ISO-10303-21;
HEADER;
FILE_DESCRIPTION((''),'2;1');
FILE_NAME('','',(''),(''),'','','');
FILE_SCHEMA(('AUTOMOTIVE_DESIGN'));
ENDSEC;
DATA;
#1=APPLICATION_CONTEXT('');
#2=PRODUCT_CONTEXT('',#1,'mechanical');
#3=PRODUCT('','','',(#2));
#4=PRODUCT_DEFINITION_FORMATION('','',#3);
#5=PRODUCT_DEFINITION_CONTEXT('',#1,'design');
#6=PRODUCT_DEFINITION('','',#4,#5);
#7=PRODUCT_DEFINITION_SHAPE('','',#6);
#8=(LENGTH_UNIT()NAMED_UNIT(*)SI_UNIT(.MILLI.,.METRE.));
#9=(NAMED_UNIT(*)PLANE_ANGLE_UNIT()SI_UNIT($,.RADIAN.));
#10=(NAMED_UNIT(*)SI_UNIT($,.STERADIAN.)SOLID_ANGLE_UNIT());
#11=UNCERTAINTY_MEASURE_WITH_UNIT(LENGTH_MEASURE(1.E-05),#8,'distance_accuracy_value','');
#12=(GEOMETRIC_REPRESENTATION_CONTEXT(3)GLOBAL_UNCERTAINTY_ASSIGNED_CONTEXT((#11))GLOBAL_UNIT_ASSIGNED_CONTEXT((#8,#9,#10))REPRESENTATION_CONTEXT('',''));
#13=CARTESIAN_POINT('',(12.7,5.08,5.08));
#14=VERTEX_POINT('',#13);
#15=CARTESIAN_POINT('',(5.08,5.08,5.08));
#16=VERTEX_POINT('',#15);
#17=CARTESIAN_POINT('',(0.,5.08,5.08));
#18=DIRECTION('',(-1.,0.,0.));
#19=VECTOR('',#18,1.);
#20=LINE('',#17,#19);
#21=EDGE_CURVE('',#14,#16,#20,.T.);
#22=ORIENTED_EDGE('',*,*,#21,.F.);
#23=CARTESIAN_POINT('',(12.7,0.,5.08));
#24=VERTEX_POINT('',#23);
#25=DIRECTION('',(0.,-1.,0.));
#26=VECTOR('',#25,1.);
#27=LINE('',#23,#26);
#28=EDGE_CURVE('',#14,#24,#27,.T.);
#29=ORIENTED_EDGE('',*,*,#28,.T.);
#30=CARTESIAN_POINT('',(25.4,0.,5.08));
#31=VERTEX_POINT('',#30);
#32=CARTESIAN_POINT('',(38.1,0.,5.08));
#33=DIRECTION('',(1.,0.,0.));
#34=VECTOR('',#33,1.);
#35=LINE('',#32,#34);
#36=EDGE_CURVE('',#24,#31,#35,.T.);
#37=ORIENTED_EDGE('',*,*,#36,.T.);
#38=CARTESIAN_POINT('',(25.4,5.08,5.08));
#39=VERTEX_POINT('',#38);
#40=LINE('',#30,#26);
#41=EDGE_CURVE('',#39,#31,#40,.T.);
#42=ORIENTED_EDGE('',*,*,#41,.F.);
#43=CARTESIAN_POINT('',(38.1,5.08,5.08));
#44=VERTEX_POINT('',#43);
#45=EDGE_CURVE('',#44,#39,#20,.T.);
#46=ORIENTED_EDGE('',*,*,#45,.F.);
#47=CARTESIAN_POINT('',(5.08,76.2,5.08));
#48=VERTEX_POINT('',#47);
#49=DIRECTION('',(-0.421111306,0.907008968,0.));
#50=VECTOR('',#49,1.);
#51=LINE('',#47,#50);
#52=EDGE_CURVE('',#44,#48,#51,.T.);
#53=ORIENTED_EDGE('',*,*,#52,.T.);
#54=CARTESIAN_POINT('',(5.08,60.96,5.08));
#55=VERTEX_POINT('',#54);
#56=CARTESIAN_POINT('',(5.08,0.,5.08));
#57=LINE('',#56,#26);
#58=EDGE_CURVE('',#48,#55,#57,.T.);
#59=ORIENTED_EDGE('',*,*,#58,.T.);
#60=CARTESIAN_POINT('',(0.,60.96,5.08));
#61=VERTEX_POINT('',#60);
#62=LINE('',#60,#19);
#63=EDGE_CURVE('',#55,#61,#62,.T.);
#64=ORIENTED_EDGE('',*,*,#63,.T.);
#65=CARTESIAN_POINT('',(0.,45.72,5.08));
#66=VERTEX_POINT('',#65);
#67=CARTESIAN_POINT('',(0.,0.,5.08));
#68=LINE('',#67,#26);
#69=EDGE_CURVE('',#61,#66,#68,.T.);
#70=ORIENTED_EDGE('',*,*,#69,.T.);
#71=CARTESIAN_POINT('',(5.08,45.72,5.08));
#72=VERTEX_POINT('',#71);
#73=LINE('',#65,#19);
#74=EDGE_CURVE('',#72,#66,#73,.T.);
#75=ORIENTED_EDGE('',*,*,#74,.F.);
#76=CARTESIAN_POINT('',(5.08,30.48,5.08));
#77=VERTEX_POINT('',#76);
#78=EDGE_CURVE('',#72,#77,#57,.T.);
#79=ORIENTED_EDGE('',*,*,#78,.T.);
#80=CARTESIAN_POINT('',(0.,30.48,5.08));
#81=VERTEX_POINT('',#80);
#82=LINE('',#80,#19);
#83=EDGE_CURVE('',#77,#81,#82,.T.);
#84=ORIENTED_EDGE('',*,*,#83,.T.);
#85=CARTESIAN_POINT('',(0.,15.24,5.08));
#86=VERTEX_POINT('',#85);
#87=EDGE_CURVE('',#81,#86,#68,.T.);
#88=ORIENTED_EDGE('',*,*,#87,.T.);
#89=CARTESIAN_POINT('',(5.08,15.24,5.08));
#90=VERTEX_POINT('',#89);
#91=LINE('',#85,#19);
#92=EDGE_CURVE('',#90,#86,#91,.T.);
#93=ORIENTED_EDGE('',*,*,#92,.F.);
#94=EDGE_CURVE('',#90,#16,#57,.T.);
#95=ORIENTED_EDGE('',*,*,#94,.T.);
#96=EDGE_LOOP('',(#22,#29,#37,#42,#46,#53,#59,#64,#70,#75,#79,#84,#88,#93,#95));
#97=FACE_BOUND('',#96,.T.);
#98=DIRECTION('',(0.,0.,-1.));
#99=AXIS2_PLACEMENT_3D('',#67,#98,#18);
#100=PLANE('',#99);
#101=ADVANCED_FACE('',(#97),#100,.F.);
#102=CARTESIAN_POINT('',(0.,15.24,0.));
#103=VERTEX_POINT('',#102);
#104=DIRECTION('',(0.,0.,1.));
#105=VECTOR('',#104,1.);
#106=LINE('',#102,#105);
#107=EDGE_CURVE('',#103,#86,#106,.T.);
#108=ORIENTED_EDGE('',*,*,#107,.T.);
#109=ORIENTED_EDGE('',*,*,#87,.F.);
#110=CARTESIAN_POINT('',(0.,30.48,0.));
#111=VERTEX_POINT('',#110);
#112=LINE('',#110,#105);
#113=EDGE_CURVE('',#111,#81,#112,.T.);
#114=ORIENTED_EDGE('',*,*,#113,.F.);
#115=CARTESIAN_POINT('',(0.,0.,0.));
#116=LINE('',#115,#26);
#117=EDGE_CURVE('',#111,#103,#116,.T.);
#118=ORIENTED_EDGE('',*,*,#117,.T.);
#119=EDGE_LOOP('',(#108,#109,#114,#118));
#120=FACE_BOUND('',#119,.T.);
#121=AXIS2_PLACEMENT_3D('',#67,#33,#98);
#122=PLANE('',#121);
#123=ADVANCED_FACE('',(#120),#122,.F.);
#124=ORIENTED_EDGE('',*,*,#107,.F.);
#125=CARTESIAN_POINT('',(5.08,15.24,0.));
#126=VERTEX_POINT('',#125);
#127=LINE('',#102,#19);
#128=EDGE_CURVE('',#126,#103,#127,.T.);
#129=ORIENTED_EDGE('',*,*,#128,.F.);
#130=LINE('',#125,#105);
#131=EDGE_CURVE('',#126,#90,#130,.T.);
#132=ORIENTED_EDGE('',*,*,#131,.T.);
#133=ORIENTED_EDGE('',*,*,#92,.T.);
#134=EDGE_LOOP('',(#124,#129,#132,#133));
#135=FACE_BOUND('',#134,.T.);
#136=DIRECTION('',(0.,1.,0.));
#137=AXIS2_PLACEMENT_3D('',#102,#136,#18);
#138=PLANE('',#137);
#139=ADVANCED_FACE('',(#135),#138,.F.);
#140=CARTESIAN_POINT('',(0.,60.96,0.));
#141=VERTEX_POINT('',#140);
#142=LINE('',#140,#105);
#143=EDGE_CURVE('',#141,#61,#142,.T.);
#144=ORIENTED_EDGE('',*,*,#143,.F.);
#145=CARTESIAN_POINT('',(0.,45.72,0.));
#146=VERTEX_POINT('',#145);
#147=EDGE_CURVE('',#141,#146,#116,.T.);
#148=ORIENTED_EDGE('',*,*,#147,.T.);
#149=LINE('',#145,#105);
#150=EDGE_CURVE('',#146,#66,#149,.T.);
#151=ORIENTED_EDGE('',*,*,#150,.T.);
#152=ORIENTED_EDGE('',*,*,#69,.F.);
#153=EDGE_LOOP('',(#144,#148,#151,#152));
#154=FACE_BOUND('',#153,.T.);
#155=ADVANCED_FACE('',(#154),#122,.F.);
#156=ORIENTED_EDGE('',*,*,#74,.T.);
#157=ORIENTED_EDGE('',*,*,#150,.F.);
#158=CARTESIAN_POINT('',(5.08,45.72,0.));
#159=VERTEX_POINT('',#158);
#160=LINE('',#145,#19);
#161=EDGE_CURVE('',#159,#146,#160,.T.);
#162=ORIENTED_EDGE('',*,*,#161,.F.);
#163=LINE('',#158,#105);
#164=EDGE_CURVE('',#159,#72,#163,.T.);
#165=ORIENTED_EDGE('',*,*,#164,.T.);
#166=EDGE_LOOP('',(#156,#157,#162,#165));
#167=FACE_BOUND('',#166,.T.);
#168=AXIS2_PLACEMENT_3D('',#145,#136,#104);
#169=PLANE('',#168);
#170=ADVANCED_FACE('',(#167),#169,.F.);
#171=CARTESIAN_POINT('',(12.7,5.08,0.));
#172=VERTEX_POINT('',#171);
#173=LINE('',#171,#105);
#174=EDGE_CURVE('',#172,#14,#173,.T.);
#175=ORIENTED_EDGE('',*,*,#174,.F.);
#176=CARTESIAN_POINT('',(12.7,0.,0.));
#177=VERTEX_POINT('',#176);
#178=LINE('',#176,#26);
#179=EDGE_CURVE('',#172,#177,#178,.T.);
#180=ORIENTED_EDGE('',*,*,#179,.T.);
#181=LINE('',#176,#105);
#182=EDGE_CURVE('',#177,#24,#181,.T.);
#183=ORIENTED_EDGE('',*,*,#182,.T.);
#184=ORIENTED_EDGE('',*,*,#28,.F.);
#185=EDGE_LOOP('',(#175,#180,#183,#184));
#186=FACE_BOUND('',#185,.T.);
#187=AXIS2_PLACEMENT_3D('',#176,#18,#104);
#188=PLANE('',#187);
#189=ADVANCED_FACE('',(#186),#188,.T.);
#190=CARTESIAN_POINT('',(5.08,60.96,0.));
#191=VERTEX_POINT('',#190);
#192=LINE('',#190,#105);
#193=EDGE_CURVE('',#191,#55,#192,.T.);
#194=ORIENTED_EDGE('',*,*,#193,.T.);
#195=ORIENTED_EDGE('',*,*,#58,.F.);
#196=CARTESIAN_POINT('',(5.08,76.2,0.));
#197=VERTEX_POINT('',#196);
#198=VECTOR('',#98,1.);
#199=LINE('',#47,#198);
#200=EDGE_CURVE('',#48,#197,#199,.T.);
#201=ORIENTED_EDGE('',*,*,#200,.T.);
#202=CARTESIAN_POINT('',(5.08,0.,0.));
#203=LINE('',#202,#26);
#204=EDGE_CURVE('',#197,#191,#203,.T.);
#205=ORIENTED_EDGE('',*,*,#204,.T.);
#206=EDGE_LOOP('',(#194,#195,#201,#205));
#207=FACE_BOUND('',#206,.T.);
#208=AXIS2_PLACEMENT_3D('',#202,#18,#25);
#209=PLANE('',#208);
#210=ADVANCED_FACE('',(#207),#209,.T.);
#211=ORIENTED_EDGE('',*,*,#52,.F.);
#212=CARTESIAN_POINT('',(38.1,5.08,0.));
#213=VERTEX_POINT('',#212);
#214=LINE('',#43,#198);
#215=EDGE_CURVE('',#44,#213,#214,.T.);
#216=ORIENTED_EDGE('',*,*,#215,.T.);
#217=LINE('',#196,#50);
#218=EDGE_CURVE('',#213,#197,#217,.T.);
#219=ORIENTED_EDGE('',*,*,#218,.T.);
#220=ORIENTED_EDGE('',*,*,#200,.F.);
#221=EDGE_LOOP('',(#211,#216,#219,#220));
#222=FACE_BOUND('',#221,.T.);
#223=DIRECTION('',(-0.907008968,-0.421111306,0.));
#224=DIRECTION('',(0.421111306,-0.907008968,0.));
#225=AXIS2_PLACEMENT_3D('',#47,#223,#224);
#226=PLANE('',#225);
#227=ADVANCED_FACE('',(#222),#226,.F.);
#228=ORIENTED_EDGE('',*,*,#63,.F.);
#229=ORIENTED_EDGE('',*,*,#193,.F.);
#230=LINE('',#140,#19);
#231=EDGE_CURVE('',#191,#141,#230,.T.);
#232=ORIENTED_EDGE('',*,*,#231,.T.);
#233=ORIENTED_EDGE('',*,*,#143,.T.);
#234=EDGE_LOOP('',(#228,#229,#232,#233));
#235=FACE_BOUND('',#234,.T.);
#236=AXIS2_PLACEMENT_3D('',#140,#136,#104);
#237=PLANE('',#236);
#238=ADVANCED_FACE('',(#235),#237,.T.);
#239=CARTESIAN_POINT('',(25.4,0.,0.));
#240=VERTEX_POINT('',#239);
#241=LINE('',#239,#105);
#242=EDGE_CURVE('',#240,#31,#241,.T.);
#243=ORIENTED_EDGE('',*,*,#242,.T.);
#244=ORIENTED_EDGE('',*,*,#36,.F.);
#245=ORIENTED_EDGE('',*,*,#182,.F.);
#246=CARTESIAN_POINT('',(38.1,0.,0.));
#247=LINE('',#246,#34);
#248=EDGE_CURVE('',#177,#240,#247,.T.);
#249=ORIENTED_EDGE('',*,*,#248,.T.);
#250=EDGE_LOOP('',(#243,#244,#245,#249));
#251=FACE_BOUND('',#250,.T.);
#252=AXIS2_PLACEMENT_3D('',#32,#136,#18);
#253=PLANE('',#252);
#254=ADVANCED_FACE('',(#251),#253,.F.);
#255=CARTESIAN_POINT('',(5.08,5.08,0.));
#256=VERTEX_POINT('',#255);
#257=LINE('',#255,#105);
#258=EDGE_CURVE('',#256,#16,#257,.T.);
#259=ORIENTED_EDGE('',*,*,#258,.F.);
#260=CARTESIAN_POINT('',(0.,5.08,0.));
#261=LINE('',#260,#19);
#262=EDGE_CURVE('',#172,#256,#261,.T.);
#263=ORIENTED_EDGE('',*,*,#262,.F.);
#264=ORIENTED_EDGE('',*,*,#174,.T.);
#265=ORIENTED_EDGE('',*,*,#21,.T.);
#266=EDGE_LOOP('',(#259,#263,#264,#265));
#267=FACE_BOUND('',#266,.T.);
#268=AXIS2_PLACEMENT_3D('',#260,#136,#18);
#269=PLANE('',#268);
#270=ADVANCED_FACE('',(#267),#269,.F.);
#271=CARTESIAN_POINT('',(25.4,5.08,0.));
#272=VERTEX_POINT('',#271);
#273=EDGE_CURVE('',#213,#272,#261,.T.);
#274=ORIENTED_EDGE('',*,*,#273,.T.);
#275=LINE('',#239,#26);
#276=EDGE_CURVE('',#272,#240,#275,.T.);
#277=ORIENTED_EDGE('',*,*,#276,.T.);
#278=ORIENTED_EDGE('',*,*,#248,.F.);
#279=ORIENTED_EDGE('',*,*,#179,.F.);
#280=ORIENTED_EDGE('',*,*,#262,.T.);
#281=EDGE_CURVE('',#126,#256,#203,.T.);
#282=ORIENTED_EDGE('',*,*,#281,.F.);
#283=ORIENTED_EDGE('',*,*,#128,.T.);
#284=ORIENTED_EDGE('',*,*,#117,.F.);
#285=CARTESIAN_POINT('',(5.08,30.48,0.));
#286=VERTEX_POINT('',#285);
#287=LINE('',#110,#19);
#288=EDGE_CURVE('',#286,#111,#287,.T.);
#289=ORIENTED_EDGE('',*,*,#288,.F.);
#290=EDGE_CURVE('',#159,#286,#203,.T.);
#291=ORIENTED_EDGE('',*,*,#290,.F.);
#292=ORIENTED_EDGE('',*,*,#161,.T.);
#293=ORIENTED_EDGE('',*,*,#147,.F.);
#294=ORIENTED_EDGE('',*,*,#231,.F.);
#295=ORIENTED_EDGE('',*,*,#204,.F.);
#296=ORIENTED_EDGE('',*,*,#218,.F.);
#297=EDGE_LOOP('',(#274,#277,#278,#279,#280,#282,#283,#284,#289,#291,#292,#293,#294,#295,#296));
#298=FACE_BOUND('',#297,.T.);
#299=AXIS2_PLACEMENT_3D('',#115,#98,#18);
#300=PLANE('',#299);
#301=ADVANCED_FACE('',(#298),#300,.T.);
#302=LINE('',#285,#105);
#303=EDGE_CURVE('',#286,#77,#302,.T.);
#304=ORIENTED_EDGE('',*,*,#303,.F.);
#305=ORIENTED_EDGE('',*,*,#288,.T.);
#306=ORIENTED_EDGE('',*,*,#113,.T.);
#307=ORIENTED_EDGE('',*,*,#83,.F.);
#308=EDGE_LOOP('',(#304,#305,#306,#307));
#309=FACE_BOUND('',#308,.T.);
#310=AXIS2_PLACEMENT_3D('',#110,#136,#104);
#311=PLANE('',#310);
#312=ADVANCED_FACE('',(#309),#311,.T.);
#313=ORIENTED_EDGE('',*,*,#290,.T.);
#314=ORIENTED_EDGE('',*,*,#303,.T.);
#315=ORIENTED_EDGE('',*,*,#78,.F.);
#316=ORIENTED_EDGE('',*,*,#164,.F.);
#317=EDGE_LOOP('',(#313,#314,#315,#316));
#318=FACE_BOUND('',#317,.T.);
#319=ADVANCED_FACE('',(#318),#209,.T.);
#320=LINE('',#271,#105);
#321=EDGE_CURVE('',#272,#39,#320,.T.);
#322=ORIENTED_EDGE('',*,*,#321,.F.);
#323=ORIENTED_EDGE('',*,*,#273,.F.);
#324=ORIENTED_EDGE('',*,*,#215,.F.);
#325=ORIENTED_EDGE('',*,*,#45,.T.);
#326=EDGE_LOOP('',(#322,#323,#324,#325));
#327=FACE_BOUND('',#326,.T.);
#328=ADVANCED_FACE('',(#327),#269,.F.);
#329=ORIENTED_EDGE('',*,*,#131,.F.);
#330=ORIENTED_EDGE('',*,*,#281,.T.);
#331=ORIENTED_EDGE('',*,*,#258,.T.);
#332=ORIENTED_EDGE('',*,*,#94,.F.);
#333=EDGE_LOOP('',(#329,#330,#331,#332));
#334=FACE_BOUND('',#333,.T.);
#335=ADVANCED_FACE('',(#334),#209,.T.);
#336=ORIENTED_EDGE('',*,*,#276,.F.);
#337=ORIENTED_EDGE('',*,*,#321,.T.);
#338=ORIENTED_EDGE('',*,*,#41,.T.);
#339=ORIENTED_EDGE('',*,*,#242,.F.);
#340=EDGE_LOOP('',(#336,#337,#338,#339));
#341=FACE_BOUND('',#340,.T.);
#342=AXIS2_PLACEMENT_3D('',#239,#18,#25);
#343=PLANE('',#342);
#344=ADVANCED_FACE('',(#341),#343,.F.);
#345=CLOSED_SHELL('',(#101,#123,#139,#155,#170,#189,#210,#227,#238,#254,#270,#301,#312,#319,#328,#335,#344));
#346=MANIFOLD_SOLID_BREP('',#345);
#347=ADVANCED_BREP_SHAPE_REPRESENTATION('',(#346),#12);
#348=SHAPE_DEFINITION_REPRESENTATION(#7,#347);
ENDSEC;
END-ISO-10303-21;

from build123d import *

# Parameters (mm, degrees)
BOSS_EXTRUDE1_DEPTH = 5.08
SKETCH2_W           = 5.08
SKETCH2_H           = 15.24
SKETCH2_H_2         = 10.16
SKETCH2_H_3         = 5.08
SKETCH2_W_2         = 7.62
SKETCH2_W_3         = 12.7
CUT_EXTRUDE1_DEPTH  = 5.08


with BuildPart() as part:
    # Sketch1 → Boss-Extrude1 (new body)
    with BuildSketch(Plane.XY):
        Polygon((0, 0), (0, 76.2), (5.08, 76.2), (38.1, 5.08), (38.1, 0), align=None)
    extrude(amount=BOSS_EXTRUDE1_DEPTH)

    # Sketch2 → Cut-Extrude1 (cut)
    with BuildSketch(Plane.XY.offset(5.08)):
        with Locations((2.54, 68.58)):
            Rectangle(SKETCH2_W, SKETCH2_H)
        with Locations((2.54, 38.1)):
            Rectangle(SKETCH2_W, SKETCH2_H)
        with Locations((2.54, 10.16)):
            Rectangle(SKETCH2_W, SKETCH2_H_2)
        with Locations((2.54, 2.54)):
            Rectangle(SKETCH2_W, SKETCH2_H_3)
        with Locations((8.89, 2.54)):
            Rectangle(SKETCH2_W_2, SKETCH2_H_3)
        with Locations((31.75, 2.54)):
            Rectangle(SKETCH2_W_3, SKETCH2_H_3)
    extrude(amount=-CUT_EXTRUDE1_DEPTH, mode=Mode.SUBTRACT)


solid = part.part
